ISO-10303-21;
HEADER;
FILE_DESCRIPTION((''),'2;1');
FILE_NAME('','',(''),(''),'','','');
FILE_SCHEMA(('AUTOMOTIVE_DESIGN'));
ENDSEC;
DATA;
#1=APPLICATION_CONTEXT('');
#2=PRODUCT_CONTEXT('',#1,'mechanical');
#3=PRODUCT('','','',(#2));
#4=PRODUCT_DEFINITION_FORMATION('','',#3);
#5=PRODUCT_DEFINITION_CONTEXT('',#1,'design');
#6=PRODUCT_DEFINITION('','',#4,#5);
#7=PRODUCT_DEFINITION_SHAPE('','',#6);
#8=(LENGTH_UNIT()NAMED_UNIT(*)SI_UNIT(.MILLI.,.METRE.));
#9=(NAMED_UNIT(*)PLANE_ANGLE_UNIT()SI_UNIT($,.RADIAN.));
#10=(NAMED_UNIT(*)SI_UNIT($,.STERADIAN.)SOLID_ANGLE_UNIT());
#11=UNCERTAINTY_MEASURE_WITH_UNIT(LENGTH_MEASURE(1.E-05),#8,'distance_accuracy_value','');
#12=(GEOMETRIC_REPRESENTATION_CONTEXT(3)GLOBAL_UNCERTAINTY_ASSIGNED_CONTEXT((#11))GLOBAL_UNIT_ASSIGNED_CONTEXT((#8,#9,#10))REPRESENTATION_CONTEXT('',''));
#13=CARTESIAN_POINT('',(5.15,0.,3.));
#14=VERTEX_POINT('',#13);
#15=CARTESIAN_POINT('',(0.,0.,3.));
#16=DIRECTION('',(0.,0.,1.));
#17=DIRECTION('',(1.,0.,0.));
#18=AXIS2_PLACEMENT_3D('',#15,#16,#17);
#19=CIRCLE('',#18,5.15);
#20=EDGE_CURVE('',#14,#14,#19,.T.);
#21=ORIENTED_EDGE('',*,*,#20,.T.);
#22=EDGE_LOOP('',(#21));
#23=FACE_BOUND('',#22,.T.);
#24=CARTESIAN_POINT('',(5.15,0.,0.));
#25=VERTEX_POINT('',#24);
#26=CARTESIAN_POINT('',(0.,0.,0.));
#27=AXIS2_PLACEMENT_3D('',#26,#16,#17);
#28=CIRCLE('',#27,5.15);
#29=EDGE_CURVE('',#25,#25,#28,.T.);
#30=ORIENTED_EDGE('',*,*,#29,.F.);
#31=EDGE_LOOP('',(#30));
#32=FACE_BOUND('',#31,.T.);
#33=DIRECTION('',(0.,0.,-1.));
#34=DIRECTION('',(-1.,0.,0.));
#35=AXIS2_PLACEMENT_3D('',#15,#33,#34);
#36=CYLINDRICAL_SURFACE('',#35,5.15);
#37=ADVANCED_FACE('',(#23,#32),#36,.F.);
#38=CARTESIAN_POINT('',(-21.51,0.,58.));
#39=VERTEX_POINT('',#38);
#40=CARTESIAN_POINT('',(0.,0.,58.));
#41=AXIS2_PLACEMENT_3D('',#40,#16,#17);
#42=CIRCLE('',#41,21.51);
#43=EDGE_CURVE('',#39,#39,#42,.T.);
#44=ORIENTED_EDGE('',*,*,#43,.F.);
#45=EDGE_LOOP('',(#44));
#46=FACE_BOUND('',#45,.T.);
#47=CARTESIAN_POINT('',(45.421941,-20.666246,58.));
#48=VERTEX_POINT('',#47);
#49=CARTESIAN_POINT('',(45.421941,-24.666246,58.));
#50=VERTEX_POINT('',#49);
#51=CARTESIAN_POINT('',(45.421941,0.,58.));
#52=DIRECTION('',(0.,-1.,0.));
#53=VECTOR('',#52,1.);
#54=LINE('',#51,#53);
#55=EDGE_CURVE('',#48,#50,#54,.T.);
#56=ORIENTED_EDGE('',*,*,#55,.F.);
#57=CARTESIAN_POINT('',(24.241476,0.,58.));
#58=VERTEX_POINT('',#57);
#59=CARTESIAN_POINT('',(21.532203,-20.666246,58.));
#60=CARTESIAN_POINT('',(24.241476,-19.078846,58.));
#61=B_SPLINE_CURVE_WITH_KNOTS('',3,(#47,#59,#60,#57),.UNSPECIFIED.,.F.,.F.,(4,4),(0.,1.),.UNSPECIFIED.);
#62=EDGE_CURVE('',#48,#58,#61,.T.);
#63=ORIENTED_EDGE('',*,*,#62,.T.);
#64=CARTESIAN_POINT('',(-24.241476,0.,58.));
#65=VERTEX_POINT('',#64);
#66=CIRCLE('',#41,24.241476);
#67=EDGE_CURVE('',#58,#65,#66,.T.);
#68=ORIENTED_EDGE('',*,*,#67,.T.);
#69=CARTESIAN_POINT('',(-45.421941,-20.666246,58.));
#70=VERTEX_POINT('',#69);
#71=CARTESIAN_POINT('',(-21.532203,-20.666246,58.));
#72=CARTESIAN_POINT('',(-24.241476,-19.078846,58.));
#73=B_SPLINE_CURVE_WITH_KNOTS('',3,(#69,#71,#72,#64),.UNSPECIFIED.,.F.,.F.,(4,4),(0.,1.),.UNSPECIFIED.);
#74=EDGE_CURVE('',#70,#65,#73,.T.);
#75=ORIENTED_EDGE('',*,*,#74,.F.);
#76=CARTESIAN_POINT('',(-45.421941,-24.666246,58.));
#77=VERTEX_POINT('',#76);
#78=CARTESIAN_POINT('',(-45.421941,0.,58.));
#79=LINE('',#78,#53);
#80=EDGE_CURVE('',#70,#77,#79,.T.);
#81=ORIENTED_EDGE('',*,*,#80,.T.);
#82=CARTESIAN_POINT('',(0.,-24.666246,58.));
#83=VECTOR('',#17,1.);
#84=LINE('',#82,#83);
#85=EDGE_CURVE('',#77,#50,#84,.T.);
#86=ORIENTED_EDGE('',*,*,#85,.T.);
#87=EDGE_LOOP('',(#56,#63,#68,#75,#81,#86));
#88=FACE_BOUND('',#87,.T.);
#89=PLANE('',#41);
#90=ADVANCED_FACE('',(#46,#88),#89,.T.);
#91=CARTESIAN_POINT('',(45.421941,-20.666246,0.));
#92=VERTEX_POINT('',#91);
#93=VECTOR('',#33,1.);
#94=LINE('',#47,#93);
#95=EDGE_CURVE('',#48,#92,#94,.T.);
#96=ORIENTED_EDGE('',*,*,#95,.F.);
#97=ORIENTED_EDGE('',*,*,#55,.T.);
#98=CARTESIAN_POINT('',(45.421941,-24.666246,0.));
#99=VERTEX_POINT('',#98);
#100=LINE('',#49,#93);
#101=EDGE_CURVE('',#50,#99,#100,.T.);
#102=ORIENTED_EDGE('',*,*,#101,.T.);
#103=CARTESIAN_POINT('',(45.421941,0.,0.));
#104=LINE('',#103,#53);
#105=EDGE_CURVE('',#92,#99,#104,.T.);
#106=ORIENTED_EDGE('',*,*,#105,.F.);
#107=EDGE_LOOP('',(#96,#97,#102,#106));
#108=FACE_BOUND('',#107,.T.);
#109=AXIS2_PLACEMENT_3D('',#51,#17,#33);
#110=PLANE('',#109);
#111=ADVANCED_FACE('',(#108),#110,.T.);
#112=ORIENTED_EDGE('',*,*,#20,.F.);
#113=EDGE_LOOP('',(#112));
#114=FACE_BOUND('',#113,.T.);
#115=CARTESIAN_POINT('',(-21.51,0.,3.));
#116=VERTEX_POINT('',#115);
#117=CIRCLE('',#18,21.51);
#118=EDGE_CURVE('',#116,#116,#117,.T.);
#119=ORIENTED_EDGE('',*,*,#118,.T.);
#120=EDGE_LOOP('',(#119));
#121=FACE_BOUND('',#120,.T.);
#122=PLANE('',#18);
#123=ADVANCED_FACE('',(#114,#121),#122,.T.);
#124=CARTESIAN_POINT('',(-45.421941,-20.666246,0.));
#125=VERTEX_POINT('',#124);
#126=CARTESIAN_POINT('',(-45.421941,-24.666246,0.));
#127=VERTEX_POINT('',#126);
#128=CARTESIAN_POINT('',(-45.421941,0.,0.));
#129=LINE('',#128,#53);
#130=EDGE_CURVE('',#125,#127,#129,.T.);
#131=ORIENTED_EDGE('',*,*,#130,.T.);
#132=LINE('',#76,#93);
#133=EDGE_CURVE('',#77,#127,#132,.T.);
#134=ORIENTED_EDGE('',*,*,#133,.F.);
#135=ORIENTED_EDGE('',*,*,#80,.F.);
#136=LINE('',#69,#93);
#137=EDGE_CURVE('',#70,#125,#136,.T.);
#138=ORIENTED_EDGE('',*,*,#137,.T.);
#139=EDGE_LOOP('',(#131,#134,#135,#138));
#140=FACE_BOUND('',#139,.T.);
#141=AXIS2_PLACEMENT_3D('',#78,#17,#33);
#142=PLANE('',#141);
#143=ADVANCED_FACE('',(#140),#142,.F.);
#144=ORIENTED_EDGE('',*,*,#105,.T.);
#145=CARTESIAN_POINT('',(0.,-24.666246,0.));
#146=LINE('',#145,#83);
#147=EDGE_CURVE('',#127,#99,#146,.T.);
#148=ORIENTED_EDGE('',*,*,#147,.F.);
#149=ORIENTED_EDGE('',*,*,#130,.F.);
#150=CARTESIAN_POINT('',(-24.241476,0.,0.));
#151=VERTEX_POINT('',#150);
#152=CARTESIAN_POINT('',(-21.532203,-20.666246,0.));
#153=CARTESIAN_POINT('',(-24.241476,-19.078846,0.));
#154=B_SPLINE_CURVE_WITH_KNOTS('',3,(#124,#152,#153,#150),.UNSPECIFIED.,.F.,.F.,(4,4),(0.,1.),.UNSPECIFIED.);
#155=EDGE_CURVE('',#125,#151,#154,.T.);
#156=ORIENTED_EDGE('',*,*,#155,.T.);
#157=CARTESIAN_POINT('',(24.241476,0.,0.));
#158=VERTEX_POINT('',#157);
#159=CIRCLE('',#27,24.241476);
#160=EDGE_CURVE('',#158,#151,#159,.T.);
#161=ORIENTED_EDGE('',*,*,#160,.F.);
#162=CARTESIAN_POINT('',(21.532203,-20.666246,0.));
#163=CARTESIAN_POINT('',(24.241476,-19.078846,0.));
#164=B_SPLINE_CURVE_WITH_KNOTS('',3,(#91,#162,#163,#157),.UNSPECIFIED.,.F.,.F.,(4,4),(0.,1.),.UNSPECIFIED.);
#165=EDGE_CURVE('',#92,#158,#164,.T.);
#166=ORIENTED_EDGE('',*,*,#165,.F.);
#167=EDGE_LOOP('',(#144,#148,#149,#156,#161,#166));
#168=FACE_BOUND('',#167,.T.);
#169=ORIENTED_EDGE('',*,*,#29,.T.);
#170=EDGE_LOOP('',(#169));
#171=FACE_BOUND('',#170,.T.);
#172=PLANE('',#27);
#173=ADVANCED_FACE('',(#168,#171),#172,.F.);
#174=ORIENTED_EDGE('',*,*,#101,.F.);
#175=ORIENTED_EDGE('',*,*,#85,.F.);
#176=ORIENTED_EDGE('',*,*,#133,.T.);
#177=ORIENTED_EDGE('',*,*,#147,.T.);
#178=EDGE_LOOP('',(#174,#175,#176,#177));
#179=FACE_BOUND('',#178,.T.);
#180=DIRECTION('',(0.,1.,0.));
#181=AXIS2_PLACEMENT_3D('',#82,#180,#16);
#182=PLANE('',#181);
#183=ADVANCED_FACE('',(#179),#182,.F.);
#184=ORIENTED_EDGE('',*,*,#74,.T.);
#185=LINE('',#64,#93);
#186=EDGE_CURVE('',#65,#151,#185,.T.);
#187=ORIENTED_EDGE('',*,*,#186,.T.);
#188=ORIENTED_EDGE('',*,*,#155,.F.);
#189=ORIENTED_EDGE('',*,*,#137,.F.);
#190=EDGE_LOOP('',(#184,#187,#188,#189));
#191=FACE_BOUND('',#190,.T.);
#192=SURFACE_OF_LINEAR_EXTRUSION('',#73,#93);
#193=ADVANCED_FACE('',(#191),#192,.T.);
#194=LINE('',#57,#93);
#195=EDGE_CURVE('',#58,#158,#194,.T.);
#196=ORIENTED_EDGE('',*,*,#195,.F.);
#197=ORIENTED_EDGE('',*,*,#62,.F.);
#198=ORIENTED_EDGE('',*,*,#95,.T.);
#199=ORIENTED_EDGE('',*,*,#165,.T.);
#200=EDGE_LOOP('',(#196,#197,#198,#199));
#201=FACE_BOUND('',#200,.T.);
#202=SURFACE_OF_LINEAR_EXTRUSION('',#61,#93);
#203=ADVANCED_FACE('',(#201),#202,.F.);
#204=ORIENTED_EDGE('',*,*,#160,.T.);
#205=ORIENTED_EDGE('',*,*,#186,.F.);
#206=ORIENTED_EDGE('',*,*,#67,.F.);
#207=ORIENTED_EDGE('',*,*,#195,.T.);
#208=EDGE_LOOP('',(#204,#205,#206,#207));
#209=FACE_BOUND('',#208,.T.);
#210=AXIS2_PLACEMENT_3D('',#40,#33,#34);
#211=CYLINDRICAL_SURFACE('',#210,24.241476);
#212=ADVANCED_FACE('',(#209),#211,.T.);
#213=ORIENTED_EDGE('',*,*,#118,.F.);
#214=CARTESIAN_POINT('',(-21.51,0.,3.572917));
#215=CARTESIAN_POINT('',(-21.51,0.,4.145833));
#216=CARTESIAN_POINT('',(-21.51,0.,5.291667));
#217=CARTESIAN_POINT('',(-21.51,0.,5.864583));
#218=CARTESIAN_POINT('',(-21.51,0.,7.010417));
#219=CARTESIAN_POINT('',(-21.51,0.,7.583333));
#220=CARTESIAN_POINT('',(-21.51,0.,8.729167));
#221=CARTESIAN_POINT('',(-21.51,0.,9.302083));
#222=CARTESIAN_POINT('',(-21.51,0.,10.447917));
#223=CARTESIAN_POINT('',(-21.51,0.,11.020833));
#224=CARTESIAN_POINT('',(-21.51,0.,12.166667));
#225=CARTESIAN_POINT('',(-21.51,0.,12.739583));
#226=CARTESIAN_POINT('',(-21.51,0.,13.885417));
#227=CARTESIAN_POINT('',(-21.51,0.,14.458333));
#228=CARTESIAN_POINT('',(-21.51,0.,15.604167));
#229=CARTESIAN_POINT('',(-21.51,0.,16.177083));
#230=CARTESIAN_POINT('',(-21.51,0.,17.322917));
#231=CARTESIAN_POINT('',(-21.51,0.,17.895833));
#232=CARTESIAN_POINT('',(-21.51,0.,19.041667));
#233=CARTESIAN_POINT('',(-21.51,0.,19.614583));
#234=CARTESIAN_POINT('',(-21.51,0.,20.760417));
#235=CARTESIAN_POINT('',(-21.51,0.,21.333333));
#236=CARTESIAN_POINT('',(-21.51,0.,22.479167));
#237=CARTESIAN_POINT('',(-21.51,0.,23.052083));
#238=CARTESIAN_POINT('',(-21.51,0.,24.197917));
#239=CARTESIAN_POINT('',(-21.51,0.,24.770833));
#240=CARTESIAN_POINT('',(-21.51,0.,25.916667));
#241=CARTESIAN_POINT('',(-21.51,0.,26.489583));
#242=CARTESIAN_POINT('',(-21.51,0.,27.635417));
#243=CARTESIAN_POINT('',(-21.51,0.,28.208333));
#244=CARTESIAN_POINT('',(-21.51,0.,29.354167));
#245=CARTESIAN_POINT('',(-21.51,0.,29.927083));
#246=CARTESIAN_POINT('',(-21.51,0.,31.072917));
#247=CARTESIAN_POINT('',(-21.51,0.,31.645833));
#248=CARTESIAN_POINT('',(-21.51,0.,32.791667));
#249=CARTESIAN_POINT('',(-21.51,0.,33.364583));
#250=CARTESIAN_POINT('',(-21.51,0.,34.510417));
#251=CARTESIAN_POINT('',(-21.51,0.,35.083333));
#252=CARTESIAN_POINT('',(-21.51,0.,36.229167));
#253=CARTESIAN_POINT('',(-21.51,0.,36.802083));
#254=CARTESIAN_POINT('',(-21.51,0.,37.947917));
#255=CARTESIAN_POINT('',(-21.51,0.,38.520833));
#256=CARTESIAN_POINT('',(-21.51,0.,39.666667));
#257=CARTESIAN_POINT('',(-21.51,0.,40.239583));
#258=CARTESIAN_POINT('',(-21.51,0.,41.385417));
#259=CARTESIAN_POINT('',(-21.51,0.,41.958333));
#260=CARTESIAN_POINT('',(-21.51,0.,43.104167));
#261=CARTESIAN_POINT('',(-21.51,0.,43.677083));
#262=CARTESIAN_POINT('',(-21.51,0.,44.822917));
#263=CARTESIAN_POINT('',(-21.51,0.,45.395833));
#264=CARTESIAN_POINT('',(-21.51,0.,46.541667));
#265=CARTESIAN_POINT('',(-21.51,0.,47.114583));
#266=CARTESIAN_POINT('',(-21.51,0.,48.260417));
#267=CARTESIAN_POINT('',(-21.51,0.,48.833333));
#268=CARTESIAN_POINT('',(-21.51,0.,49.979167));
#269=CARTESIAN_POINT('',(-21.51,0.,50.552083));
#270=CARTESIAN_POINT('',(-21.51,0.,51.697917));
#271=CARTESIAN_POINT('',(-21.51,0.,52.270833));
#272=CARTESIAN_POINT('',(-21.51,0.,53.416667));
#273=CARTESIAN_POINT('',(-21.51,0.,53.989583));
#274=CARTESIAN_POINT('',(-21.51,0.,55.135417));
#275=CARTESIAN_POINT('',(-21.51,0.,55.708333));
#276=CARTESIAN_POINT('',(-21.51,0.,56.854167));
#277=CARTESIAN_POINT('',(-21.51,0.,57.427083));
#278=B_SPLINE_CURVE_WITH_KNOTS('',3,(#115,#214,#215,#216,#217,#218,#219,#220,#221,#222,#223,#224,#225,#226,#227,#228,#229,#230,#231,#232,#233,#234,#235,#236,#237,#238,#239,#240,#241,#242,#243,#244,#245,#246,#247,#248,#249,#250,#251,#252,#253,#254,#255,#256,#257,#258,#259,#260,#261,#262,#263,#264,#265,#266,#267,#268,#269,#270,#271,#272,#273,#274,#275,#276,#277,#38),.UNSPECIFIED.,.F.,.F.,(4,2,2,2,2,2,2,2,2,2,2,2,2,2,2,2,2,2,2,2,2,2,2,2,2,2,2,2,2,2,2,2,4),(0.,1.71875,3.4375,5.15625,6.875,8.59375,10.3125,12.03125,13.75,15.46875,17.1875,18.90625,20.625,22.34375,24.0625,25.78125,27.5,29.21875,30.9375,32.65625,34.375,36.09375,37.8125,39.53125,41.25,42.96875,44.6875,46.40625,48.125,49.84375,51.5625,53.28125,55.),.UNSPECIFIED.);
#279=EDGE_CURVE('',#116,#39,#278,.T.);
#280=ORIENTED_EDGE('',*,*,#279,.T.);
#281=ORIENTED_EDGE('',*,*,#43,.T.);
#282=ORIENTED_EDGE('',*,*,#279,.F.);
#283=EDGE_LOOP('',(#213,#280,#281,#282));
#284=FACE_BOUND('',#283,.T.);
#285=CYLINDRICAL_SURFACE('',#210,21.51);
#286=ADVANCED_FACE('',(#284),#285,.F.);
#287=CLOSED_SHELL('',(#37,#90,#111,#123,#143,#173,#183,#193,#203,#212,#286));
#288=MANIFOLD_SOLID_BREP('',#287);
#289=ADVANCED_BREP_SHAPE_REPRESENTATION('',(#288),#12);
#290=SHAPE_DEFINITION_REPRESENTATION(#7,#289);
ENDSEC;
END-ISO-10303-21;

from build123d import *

# Parameters (mm, degrees)
SKETCH1_R           = 21.51
BOSS_EXTRUDE1_DEPTH = 58
SKETCH1_4_R         = 21.51
BOSS_EXTRUDE2_DEPTH = 3


with BuildPart() as part:
    # Sketch1 → Boss-Extrude1 (new body)
    with BuildSketch(Plane.XY):
        with BuildLine():
            Line((-45.421940828, -20.666245921), (-45.421940828, -24.666245921))
            Line((-45.421940828, -24.666245921), (45.421940828, -24.666245921))
            Line((45.421940828, -24.666245921), (45.421940828, -20.666245921))
            add(Edge.make_bspline(
                [(45.421940828, -20.666245921), (21.532203305, -20.666245921), (24.241475666, -19.078845964), (24.241475666, 0)],
                knots=[0, 0, 0, 0, 1, 1, 1, 1], degree=3))
            ThreePointArc((24.241475666, 0), (0, 24.241475666), (-24.241475666, 0))
            add(Edge.make_bspline(
                [(-45.421940828, -20.666245921), (-21.532203305, -20.666245921), (-24.241475666, -19.078845964), (-24.241475666, 0)],
                knots=[0, 0, 0, 0, 1, 1, 1, 1], degree=3))
        make_face()
        Circle(SKETCH1_R, mode=Mode.SUBTRACT)
    extrude(amount=BOSS_EXTRUDE1_DEPTH)

    # Sketch1<4> → Boss-Extrude2 (add)
    with BuildSketch(Plane.XY):
        Circle(SKETCH1_4_R)
        with BuildLine():
            ThreePointArc((0, -5.15), (-3.641599923, 3.641599923), (5.15, 0))
            ThreePointArc((5.15, 0), (3.641599923, -3.641599923), (0, -5.15))
        make_face(mode=Mode.SUBTRACT)
    extrude(amount=BOSS_EXTRUDE2_DEPTH)


solid = part.part
